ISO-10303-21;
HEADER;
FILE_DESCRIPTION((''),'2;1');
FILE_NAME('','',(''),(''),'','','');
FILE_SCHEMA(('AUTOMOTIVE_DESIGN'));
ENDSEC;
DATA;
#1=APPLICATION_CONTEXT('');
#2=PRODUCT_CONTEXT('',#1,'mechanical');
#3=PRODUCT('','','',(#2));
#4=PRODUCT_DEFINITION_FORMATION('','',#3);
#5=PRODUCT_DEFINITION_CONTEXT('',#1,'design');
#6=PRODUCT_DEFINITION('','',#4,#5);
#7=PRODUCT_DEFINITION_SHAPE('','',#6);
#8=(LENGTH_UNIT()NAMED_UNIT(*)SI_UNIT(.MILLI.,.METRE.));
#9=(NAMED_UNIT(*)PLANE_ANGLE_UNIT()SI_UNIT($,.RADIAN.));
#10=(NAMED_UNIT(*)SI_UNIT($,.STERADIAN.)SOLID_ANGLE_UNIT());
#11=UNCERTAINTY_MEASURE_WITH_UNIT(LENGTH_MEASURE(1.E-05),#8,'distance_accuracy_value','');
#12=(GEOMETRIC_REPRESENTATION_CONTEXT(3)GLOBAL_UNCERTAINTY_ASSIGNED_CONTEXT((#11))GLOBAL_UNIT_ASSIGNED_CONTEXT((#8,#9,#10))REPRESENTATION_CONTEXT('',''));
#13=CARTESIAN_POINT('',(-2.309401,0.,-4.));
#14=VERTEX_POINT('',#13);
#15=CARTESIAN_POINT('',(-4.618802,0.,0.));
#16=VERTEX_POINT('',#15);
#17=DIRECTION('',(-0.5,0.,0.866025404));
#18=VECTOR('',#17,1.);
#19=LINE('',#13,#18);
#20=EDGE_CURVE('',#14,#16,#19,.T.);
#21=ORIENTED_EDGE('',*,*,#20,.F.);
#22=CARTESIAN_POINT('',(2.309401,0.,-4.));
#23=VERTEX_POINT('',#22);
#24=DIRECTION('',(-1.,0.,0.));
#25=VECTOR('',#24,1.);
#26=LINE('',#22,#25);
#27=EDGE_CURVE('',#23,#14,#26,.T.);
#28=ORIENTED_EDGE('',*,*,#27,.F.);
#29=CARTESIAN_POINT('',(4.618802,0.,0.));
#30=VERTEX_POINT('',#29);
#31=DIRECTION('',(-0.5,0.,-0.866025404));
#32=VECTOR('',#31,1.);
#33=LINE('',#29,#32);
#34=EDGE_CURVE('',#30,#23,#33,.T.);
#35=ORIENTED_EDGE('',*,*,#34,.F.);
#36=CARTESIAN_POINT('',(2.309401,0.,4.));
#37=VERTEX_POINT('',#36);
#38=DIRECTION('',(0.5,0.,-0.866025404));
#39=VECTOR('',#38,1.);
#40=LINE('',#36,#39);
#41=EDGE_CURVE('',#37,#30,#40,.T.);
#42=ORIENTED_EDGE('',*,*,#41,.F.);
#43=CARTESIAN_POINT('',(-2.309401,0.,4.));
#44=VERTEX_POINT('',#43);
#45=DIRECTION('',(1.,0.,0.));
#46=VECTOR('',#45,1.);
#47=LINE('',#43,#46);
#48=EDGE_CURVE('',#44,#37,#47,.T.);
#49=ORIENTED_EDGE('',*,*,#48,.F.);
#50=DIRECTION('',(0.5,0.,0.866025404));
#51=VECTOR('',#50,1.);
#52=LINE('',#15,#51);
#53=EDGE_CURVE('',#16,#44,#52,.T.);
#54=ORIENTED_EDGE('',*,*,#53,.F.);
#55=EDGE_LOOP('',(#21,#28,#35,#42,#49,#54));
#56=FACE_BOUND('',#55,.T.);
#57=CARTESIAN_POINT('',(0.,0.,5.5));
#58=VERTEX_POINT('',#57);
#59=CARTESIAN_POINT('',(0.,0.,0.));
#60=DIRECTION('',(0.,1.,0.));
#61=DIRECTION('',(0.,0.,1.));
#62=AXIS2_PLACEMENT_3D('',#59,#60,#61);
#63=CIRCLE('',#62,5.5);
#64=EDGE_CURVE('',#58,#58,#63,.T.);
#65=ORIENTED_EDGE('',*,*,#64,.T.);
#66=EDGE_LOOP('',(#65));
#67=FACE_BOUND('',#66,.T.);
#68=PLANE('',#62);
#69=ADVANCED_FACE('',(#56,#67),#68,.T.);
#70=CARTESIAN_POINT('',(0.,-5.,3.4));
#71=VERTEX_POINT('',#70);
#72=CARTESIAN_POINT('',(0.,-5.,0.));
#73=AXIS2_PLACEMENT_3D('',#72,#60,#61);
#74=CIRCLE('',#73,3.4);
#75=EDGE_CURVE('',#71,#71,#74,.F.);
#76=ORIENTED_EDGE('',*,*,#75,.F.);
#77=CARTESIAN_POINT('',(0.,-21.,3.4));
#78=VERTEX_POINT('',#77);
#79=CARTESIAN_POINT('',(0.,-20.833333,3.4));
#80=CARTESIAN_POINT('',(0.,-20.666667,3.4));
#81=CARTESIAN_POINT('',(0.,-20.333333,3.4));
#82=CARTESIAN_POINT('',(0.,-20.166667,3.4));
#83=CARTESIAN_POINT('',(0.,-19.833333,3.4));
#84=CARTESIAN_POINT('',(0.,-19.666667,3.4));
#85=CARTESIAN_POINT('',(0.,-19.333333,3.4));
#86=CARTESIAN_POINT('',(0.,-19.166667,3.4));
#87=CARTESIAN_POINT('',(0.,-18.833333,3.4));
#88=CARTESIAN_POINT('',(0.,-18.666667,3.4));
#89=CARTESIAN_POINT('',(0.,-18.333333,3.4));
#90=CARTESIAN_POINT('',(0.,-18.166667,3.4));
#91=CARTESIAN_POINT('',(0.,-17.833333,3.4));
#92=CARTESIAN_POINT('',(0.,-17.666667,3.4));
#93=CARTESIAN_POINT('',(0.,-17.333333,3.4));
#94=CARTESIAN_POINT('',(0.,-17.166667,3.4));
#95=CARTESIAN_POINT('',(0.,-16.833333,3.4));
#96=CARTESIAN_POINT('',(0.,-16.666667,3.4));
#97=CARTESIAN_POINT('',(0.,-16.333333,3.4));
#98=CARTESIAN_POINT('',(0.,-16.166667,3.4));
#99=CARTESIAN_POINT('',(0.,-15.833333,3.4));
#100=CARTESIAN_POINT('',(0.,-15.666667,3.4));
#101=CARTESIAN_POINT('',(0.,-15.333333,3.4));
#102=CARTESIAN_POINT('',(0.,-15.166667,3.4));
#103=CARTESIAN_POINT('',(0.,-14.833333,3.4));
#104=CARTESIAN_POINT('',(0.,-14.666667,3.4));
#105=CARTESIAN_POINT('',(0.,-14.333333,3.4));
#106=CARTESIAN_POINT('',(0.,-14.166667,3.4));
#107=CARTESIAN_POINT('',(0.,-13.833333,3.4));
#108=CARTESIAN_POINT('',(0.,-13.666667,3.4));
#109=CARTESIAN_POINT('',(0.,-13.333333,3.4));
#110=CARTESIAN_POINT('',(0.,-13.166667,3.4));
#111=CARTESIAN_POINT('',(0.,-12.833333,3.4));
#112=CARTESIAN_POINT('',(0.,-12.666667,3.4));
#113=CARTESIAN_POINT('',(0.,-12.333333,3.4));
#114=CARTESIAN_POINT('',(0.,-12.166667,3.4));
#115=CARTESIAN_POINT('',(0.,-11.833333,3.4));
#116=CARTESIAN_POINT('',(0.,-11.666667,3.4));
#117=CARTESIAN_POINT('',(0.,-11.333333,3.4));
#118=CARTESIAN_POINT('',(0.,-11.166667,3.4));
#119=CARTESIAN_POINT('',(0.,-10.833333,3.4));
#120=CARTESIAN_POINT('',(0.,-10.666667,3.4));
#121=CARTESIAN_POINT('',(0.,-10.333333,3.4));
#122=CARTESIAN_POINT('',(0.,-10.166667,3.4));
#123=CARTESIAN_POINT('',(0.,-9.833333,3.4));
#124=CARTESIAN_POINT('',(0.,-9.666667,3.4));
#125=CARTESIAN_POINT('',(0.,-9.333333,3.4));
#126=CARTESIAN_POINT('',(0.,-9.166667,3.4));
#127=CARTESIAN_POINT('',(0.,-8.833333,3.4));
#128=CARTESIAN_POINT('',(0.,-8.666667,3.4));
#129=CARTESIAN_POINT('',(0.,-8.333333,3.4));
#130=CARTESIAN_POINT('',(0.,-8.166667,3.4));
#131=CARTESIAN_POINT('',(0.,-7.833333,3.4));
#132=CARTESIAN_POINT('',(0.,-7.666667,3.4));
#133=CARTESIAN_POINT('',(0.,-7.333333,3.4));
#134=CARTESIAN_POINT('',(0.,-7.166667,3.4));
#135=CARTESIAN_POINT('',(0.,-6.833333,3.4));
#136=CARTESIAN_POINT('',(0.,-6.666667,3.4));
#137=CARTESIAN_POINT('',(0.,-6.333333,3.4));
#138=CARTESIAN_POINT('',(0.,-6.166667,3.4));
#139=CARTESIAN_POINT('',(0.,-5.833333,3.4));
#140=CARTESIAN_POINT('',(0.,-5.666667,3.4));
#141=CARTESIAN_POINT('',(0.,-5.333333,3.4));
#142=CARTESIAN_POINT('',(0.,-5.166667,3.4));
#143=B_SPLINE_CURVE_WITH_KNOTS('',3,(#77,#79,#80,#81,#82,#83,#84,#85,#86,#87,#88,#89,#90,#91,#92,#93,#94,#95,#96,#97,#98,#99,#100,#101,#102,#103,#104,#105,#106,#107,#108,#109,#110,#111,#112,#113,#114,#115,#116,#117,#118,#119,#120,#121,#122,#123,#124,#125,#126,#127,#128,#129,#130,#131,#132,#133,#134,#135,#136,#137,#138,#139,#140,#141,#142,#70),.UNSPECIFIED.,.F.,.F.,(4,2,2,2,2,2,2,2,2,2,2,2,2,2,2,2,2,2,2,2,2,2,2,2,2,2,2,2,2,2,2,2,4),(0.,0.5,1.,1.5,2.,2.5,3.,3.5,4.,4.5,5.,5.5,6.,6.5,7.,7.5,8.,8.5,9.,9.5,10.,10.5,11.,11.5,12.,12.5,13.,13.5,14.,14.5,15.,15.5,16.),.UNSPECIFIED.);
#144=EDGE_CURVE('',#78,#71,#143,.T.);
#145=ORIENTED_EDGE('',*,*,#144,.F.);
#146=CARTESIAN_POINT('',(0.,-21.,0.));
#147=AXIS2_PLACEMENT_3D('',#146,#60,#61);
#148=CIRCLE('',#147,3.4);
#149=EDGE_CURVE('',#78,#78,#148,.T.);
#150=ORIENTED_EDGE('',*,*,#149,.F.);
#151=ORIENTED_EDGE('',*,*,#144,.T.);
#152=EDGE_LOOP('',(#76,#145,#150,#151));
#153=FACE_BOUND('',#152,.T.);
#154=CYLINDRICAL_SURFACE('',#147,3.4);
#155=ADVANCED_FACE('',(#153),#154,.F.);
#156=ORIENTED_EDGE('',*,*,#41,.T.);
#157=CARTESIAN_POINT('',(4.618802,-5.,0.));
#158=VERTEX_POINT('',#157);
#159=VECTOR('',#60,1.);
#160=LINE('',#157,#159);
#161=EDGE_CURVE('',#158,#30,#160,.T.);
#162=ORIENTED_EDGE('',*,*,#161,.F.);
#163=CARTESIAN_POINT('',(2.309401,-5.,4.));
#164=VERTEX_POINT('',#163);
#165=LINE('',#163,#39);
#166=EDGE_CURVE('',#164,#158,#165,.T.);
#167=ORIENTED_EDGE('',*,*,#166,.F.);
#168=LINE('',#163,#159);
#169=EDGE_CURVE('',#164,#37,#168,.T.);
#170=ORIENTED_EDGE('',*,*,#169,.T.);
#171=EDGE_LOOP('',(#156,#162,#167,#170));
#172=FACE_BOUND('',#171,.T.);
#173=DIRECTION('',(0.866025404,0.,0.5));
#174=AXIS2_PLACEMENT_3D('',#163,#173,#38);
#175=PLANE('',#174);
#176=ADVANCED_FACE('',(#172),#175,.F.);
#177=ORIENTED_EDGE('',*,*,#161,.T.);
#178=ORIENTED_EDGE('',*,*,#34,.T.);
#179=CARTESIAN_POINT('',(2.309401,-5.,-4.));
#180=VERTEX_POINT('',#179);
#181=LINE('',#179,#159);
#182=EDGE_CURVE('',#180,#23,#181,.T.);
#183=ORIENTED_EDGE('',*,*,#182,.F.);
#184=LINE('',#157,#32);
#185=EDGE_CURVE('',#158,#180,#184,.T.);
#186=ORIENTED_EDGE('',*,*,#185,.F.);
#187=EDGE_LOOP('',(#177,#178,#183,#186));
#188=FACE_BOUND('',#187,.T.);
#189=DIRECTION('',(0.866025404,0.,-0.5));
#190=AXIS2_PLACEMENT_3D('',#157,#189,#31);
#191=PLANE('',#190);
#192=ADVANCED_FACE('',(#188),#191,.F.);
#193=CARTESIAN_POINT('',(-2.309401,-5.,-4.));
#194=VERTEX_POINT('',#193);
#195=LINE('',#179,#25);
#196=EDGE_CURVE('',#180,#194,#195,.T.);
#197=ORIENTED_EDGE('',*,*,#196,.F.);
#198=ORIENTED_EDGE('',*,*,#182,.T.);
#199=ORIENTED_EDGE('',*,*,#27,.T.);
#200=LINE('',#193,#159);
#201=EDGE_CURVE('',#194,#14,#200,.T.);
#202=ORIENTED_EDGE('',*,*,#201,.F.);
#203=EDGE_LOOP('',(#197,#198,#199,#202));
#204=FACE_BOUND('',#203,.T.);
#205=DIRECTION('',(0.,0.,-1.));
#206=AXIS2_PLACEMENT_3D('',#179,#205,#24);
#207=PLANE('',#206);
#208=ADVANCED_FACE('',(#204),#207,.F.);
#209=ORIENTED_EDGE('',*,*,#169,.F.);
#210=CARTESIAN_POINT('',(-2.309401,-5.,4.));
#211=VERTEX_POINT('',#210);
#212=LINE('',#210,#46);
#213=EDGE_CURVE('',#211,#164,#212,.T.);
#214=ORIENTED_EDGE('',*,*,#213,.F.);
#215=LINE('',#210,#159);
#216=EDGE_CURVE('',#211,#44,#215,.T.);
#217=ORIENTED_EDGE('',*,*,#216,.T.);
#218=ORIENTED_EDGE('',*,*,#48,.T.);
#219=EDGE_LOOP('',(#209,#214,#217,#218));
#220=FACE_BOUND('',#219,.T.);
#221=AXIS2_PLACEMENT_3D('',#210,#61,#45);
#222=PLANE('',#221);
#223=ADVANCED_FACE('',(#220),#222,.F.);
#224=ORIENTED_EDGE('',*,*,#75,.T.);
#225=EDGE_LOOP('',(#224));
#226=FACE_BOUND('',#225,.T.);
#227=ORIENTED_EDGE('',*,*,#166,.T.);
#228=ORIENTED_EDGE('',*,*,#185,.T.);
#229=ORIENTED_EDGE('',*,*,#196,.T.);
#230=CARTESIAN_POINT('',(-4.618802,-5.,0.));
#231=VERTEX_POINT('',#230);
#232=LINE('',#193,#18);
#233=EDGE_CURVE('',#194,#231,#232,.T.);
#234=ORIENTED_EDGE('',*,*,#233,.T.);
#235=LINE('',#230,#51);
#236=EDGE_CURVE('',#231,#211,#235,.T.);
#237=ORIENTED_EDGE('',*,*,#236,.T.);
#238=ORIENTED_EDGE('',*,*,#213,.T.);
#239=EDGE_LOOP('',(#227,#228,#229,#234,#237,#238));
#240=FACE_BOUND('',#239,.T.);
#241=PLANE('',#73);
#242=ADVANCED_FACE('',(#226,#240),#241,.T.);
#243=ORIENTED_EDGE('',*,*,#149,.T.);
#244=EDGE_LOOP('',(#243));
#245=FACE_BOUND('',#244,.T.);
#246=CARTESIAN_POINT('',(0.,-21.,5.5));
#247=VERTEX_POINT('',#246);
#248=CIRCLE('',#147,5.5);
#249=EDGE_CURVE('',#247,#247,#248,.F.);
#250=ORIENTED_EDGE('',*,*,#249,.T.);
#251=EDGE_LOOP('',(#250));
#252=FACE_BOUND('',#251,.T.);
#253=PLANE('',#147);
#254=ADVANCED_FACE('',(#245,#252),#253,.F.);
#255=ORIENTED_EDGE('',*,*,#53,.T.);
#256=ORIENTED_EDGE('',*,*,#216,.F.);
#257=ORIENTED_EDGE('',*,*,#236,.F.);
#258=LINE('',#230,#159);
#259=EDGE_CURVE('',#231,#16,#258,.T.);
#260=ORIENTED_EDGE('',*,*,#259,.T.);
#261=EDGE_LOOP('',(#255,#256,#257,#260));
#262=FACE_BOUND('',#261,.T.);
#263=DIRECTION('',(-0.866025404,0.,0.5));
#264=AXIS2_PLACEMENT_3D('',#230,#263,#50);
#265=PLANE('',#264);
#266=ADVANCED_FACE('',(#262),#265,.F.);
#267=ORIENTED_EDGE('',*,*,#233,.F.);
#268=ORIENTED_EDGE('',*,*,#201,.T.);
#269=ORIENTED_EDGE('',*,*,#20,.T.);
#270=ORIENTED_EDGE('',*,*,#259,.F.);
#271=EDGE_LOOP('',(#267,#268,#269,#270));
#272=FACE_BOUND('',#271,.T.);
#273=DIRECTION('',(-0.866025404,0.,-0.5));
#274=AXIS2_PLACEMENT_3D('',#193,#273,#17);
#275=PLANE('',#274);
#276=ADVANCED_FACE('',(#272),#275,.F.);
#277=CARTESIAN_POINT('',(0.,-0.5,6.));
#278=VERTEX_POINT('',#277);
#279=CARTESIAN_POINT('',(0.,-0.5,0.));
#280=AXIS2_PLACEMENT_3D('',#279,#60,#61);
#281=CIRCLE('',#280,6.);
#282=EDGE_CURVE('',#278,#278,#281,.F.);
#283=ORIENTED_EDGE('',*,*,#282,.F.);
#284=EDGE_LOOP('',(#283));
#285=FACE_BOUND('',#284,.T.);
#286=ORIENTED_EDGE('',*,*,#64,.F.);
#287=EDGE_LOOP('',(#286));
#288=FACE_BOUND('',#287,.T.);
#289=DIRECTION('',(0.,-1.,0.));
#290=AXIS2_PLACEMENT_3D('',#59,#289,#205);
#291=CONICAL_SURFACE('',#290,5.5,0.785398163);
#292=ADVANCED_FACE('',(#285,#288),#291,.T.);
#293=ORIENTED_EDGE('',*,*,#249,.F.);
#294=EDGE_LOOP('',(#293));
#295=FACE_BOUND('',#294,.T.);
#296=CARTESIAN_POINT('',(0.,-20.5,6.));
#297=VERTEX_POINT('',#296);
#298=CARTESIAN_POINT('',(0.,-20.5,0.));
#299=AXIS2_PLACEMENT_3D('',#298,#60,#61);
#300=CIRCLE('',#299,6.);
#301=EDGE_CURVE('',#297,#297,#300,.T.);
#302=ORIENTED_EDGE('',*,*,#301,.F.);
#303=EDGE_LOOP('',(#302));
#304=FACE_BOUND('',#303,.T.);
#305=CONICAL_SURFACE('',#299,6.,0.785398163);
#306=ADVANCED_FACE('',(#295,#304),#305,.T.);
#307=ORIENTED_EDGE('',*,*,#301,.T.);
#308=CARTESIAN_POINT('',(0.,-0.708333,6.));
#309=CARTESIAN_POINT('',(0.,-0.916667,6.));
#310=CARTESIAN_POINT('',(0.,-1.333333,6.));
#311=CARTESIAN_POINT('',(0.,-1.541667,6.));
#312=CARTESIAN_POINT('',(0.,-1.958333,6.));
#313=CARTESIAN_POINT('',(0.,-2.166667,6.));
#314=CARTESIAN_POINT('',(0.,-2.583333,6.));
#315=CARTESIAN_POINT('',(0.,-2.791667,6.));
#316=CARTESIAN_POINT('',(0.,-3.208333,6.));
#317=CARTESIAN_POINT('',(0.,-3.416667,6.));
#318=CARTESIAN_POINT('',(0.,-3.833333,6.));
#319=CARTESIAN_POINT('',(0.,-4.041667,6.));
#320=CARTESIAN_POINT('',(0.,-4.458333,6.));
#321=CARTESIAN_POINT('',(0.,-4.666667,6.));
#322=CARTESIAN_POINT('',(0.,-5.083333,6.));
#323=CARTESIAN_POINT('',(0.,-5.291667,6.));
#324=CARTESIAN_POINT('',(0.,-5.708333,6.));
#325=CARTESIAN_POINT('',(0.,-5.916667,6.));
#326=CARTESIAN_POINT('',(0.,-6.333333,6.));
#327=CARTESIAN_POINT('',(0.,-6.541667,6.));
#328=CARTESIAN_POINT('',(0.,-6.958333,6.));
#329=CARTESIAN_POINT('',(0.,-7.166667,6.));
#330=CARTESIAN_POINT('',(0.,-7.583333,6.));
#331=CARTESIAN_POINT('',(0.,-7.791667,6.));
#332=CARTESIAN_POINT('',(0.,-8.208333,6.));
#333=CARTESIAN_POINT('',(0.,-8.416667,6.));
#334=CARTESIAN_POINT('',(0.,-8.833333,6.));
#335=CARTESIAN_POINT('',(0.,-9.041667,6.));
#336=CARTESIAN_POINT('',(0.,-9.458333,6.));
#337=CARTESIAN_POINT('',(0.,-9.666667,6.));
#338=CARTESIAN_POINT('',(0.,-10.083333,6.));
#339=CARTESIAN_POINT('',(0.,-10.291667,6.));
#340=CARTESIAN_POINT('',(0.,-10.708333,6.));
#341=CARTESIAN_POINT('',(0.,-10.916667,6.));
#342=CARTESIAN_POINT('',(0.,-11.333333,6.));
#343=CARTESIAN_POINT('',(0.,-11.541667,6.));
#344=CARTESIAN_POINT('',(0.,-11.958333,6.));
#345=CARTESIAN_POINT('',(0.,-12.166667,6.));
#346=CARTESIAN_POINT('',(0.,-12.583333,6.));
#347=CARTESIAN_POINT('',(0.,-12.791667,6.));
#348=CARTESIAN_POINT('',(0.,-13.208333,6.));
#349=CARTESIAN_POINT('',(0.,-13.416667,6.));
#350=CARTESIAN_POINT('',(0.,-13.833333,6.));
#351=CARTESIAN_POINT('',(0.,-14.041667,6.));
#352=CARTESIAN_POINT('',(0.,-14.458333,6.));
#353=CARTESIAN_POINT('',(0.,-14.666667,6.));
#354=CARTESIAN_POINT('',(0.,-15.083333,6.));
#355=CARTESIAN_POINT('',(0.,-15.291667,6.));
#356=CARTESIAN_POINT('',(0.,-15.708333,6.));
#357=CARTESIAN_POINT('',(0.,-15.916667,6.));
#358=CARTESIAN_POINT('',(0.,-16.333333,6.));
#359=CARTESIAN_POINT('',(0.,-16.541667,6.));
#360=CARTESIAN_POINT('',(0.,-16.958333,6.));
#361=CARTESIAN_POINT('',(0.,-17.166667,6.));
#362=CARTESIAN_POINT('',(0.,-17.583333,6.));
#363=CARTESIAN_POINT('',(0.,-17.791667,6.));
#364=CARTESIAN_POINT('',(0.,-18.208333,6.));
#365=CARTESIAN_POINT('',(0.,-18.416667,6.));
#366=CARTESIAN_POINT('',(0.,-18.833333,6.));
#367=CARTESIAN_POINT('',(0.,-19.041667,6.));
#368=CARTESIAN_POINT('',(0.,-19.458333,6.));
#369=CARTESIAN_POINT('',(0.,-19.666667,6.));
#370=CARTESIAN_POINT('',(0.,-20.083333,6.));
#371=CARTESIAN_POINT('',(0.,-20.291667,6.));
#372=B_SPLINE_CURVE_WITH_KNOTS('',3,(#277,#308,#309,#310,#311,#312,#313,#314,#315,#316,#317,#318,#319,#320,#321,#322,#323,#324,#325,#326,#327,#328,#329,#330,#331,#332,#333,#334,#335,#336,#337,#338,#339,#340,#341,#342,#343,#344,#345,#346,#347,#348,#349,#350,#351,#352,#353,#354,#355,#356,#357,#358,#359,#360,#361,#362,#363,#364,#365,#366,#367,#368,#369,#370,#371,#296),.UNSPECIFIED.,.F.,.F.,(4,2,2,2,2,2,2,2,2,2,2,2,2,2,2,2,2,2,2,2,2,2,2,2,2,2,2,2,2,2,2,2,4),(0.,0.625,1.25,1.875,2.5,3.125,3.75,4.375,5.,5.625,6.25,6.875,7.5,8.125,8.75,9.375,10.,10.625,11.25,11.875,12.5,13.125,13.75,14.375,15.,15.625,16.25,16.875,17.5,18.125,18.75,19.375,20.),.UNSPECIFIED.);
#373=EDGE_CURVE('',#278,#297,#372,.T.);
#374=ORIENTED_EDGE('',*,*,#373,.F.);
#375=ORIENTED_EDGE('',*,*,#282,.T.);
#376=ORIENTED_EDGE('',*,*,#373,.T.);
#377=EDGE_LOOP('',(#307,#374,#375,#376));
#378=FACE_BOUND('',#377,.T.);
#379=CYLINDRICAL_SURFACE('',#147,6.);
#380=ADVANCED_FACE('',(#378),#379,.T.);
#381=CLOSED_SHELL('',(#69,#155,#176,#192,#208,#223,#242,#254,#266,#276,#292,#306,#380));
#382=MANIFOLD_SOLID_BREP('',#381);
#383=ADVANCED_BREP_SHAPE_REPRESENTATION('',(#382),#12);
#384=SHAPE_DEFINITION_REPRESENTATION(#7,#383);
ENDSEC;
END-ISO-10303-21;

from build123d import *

# Parameters (mm, degrees)
SKETCH1_R           = 6
BOSS_EXTRUDE1_DEPTH = 21
SKETCH2_R           = 3.4
CUT_EXTRUDE1_DEPTH  = 23.649503306
CUT_EXTRUDE2_DEPTH  = 5
CHAMFER1_SIZE       = 0.5


with BuildPart() as part:
    # Sketch1 → Boss-Extrude1 (new body)
    with BuildSketch(Plane(origin=(0, 0, 0), x_dir=(1, 0, 0), z_dir=(0, 1, 0))):
        with Locations(Location((0, 0, 0), (0, 0, 270))):
            Circle(SKETCH1_R)
    extrude(amount=-BOSS_EXTRUDE1_DEPTH)

    # Sketch2 → Cut-Extrude1 (cut, through all)
    with BuildSketch(Plane(origin=(0, 0, 0), x_dir=(1, 0, 0), z_dir=(0, 1, 0))):
        with Locations(Location((0, 0, 0), (0, 0, 270))):
            Circle(SKETCH2_R)
    extrude(amount=-CUT_EXTRUDE1_DEPTH, mode=Mode.SUBTRACT)

    # Sketch3 → Cut-Extrude2 (cut)
    with BuildSketch(Plane(origin=(0, 0, 0), x_dir=(1, 0, 0), z_dir=(0, 1, 0))):
        Polygon((4.618802154, 0), (2.309401077, 4), (-2.309401077, 4), (-4.618802154, 0), (-2.309401077, -4), (2.309401077, -4), align=None)
    extrude(amount=-CUT_EXTRUDE2_DEPTH, mode=Mode.SUBTRACT)

    # Chamfer1
    chamfer1_edges = [part.edges().sort_by_distance(p)[0] for p in [
        (0, 0, -6),
        (0, -21, -6),
    ]]
    chamfer(chamfer1_edges, length=CHAMFER1_SIZE)


solid = part.part
